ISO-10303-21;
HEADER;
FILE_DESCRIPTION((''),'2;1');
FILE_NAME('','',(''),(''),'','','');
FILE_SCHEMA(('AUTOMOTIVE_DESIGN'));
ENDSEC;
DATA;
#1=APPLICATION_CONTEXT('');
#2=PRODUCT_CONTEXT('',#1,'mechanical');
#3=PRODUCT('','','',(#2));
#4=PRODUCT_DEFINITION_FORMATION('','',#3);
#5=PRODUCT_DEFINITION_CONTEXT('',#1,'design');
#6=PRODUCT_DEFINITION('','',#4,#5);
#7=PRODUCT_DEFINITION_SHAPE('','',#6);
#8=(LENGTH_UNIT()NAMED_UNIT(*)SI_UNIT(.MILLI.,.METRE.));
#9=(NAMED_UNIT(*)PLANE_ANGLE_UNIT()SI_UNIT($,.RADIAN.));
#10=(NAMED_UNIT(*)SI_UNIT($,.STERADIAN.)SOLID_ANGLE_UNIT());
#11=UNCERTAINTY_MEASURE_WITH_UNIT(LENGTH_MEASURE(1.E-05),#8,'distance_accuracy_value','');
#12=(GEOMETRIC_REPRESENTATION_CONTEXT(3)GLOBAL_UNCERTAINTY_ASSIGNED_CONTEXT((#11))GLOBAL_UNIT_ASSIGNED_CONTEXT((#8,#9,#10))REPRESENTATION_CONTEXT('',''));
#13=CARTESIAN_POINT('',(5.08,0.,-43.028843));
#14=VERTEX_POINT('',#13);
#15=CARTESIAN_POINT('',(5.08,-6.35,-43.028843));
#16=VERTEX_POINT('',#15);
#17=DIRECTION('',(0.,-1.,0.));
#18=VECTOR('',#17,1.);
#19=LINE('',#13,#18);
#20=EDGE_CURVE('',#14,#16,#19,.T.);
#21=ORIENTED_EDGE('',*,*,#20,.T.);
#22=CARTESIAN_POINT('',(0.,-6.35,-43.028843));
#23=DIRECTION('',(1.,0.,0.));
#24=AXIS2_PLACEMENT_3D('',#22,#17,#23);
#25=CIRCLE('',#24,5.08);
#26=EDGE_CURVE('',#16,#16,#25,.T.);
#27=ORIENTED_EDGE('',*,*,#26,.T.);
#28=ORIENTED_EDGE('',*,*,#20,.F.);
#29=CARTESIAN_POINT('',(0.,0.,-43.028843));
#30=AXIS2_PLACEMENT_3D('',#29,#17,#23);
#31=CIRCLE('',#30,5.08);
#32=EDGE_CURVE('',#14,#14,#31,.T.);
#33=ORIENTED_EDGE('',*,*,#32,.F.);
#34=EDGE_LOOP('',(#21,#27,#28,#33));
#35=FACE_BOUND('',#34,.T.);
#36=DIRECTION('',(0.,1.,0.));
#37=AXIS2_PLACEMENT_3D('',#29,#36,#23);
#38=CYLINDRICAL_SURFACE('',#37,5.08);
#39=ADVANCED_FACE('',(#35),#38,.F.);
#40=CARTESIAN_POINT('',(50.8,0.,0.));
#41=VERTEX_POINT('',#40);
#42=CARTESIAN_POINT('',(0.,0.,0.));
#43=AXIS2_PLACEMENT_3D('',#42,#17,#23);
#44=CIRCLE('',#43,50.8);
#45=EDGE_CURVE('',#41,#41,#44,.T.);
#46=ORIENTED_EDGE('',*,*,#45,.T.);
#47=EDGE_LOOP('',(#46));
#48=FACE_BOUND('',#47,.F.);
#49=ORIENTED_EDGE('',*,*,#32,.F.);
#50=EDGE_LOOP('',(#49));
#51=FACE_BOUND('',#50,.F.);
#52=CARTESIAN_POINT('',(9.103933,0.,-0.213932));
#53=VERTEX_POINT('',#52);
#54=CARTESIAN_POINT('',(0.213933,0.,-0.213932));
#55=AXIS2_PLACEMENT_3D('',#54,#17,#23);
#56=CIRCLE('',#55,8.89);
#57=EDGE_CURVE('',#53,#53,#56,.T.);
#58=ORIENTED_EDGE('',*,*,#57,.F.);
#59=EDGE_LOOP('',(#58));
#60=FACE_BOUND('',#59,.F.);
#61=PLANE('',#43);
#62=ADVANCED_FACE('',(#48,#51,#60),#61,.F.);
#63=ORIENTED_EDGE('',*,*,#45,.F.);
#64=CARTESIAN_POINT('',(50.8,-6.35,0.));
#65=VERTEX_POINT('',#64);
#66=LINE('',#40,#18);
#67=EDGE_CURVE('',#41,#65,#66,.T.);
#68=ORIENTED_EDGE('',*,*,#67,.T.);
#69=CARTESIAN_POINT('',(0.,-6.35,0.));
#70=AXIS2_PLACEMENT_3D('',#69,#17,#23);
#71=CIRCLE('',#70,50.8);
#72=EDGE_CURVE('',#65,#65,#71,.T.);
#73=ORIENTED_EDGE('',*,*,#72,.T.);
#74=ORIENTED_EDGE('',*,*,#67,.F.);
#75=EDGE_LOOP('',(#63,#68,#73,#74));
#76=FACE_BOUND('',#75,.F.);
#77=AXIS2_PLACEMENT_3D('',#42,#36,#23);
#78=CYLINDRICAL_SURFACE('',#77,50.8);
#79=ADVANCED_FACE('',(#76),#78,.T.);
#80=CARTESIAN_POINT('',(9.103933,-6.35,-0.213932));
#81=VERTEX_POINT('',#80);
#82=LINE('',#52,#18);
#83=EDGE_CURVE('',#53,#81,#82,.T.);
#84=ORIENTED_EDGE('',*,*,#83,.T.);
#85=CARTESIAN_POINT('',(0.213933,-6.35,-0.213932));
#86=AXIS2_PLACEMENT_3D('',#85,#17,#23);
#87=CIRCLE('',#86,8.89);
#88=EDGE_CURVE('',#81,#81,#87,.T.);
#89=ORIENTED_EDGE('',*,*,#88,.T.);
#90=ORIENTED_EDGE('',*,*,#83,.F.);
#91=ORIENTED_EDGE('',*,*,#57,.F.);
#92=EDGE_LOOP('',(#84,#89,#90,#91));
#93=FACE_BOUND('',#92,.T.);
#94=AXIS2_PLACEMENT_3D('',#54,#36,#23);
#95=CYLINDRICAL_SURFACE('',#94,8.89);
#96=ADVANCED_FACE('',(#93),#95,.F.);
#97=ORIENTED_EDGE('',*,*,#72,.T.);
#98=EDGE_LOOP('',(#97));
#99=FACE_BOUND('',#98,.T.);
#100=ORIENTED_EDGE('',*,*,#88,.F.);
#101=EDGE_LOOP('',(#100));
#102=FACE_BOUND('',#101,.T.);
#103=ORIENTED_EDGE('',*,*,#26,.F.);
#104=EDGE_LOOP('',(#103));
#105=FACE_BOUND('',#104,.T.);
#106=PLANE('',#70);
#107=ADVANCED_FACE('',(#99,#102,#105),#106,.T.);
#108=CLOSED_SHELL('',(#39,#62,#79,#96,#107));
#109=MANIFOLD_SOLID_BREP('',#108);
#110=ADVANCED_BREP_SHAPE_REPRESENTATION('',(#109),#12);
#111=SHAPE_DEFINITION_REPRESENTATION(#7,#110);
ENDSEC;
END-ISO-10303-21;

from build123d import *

# Parameters (mm, degrees)
F0_R     = 50.8
F0_R_2   = 5.08
F0_R_3   = 8.89
F1_DEPTH = 6.35


with BuildPart() as f1:
    # F0 (on Front) → F1 (new body)
    with BuildSketch(Plane.XZ):
        Circle(F0_R)
        with Locations((0, -43.028843)):
            Circle(F0_R_2, mode=Mode.SUBTRACT)
        with Locations((0.213933, -0.213932)):
            Circle(F0_R_3, mode=Mode.SUBTRACT)
    extrude(amount=F1_DEPTH)


solid = f1.part
